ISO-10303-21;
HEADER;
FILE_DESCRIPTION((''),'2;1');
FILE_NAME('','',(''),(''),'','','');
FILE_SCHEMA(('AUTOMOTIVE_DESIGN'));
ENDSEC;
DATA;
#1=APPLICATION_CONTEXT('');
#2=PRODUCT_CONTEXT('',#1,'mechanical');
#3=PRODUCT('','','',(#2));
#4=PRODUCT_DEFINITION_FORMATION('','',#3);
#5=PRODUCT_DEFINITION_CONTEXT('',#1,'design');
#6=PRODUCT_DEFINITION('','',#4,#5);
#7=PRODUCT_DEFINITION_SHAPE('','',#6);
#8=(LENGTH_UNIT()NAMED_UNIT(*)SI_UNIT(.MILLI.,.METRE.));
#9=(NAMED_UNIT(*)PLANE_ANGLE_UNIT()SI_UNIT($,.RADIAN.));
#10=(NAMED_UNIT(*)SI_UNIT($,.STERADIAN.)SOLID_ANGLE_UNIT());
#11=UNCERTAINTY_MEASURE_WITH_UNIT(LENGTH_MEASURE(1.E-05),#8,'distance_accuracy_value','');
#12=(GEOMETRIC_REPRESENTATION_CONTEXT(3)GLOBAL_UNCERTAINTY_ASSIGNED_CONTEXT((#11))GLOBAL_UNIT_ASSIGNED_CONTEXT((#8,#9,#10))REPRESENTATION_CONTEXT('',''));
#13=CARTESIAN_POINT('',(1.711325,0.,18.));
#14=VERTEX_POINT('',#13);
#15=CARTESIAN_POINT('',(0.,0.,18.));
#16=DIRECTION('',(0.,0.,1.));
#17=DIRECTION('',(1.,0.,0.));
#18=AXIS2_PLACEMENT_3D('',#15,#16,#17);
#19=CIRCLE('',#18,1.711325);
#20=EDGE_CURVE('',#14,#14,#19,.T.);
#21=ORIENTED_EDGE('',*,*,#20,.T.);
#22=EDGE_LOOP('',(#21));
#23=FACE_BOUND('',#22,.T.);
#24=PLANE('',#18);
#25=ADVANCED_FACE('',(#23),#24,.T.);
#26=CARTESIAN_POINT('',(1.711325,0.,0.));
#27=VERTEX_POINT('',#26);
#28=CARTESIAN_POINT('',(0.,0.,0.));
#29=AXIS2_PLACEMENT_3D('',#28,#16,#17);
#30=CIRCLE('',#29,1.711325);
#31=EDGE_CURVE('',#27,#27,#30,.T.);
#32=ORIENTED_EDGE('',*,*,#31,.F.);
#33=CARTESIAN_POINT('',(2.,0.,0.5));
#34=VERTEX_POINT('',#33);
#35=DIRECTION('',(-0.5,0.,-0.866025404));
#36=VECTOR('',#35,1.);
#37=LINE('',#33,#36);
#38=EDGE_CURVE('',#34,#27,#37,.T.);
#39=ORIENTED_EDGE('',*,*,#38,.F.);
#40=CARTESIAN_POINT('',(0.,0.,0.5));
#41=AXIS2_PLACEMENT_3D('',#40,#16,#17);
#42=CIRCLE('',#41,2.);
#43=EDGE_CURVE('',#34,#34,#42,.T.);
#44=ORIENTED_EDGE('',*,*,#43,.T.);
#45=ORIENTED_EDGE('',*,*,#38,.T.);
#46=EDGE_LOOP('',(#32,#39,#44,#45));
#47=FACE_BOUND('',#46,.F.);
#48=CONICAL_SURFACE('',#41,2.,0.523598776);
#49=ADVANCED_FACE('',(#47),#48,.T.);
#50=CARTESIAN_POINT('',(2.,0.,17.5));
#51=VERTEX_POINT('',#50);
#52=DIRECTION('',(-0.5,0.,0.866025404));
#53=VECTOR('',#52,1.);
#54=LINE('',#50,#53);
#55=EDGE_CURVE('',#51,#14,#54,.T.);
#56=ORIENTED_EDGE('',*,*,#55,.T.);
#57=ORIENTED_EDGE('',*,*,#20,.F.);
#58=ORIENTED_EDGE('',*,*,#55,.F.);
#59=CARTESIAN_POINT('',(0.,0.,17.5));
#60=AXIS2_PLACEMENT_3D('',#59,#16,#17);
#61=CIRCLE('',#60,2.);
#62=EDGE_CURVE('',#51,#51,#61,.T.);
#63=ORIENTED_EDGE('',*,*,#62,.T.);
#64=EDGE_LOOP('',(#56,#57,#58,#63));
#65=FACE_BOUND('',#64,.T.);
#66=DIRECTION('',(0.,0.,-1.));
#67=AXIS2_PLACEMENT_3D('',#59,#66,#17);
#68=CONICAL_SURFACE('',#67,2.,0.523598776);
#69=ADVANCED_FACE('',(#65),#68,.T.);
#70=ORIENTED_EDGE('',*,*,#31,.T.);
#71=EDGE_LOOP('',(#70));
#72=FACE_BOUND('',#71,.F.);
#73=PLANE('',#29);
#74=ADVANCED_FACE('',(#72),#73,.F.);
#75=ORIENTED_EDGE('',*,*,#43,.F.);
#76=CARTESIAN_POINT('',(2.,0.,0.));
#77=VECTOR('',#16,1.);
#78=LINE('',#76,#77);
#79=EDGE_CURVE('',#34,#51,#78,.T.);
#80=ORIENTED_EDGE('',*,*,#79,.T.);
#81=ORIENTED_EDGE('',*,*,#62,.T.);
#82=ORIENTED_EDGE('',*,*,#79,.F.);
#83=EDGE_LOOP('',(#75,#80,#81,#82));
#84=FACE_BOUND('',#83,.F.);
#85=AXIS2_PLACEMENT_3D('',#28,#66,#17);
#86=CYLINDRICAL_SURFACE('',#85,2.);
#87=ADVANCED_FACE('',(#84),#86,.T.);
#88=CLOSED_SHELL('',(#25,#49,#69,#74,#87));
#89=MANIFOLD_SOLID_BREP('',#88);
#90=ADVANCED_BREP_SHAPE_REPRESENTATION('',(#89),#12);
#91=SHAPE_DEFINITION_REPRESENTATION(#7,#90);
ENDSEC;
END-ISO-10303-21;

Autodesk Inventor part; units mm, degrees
ref_plane "YZ Plane" through (0, 0, 0) normal (1, 0, 0) x (0, 1, 0)
ref_plane "XZ Plane" through (0, 0, 0) normal (0, 1, 0) x (-1, 0, 0)
ref_plane "XY Plane" through (0, 0, 0) normal (0, 0, 1) x (1, 0, 0)
sketch "スケッチ1" plane through (0, 0, 0) normal (0, 0, 1) x (1, 0, 0)
  circle A0 centre (0, 0) radius 2
  dimension "d0" = 4
extrude "押し出し1" add sketch "スケッチ1" along normal blind 18
chamfer "面取り1" distance 0.5 angle 30 2 edges at (-2, 0, 18) (-2, 0, 0) measured on face at (1.9935, -0.1609, 12)
properties part number "平行ピンΦ4.18" material "鋼、高強度、低合金"
